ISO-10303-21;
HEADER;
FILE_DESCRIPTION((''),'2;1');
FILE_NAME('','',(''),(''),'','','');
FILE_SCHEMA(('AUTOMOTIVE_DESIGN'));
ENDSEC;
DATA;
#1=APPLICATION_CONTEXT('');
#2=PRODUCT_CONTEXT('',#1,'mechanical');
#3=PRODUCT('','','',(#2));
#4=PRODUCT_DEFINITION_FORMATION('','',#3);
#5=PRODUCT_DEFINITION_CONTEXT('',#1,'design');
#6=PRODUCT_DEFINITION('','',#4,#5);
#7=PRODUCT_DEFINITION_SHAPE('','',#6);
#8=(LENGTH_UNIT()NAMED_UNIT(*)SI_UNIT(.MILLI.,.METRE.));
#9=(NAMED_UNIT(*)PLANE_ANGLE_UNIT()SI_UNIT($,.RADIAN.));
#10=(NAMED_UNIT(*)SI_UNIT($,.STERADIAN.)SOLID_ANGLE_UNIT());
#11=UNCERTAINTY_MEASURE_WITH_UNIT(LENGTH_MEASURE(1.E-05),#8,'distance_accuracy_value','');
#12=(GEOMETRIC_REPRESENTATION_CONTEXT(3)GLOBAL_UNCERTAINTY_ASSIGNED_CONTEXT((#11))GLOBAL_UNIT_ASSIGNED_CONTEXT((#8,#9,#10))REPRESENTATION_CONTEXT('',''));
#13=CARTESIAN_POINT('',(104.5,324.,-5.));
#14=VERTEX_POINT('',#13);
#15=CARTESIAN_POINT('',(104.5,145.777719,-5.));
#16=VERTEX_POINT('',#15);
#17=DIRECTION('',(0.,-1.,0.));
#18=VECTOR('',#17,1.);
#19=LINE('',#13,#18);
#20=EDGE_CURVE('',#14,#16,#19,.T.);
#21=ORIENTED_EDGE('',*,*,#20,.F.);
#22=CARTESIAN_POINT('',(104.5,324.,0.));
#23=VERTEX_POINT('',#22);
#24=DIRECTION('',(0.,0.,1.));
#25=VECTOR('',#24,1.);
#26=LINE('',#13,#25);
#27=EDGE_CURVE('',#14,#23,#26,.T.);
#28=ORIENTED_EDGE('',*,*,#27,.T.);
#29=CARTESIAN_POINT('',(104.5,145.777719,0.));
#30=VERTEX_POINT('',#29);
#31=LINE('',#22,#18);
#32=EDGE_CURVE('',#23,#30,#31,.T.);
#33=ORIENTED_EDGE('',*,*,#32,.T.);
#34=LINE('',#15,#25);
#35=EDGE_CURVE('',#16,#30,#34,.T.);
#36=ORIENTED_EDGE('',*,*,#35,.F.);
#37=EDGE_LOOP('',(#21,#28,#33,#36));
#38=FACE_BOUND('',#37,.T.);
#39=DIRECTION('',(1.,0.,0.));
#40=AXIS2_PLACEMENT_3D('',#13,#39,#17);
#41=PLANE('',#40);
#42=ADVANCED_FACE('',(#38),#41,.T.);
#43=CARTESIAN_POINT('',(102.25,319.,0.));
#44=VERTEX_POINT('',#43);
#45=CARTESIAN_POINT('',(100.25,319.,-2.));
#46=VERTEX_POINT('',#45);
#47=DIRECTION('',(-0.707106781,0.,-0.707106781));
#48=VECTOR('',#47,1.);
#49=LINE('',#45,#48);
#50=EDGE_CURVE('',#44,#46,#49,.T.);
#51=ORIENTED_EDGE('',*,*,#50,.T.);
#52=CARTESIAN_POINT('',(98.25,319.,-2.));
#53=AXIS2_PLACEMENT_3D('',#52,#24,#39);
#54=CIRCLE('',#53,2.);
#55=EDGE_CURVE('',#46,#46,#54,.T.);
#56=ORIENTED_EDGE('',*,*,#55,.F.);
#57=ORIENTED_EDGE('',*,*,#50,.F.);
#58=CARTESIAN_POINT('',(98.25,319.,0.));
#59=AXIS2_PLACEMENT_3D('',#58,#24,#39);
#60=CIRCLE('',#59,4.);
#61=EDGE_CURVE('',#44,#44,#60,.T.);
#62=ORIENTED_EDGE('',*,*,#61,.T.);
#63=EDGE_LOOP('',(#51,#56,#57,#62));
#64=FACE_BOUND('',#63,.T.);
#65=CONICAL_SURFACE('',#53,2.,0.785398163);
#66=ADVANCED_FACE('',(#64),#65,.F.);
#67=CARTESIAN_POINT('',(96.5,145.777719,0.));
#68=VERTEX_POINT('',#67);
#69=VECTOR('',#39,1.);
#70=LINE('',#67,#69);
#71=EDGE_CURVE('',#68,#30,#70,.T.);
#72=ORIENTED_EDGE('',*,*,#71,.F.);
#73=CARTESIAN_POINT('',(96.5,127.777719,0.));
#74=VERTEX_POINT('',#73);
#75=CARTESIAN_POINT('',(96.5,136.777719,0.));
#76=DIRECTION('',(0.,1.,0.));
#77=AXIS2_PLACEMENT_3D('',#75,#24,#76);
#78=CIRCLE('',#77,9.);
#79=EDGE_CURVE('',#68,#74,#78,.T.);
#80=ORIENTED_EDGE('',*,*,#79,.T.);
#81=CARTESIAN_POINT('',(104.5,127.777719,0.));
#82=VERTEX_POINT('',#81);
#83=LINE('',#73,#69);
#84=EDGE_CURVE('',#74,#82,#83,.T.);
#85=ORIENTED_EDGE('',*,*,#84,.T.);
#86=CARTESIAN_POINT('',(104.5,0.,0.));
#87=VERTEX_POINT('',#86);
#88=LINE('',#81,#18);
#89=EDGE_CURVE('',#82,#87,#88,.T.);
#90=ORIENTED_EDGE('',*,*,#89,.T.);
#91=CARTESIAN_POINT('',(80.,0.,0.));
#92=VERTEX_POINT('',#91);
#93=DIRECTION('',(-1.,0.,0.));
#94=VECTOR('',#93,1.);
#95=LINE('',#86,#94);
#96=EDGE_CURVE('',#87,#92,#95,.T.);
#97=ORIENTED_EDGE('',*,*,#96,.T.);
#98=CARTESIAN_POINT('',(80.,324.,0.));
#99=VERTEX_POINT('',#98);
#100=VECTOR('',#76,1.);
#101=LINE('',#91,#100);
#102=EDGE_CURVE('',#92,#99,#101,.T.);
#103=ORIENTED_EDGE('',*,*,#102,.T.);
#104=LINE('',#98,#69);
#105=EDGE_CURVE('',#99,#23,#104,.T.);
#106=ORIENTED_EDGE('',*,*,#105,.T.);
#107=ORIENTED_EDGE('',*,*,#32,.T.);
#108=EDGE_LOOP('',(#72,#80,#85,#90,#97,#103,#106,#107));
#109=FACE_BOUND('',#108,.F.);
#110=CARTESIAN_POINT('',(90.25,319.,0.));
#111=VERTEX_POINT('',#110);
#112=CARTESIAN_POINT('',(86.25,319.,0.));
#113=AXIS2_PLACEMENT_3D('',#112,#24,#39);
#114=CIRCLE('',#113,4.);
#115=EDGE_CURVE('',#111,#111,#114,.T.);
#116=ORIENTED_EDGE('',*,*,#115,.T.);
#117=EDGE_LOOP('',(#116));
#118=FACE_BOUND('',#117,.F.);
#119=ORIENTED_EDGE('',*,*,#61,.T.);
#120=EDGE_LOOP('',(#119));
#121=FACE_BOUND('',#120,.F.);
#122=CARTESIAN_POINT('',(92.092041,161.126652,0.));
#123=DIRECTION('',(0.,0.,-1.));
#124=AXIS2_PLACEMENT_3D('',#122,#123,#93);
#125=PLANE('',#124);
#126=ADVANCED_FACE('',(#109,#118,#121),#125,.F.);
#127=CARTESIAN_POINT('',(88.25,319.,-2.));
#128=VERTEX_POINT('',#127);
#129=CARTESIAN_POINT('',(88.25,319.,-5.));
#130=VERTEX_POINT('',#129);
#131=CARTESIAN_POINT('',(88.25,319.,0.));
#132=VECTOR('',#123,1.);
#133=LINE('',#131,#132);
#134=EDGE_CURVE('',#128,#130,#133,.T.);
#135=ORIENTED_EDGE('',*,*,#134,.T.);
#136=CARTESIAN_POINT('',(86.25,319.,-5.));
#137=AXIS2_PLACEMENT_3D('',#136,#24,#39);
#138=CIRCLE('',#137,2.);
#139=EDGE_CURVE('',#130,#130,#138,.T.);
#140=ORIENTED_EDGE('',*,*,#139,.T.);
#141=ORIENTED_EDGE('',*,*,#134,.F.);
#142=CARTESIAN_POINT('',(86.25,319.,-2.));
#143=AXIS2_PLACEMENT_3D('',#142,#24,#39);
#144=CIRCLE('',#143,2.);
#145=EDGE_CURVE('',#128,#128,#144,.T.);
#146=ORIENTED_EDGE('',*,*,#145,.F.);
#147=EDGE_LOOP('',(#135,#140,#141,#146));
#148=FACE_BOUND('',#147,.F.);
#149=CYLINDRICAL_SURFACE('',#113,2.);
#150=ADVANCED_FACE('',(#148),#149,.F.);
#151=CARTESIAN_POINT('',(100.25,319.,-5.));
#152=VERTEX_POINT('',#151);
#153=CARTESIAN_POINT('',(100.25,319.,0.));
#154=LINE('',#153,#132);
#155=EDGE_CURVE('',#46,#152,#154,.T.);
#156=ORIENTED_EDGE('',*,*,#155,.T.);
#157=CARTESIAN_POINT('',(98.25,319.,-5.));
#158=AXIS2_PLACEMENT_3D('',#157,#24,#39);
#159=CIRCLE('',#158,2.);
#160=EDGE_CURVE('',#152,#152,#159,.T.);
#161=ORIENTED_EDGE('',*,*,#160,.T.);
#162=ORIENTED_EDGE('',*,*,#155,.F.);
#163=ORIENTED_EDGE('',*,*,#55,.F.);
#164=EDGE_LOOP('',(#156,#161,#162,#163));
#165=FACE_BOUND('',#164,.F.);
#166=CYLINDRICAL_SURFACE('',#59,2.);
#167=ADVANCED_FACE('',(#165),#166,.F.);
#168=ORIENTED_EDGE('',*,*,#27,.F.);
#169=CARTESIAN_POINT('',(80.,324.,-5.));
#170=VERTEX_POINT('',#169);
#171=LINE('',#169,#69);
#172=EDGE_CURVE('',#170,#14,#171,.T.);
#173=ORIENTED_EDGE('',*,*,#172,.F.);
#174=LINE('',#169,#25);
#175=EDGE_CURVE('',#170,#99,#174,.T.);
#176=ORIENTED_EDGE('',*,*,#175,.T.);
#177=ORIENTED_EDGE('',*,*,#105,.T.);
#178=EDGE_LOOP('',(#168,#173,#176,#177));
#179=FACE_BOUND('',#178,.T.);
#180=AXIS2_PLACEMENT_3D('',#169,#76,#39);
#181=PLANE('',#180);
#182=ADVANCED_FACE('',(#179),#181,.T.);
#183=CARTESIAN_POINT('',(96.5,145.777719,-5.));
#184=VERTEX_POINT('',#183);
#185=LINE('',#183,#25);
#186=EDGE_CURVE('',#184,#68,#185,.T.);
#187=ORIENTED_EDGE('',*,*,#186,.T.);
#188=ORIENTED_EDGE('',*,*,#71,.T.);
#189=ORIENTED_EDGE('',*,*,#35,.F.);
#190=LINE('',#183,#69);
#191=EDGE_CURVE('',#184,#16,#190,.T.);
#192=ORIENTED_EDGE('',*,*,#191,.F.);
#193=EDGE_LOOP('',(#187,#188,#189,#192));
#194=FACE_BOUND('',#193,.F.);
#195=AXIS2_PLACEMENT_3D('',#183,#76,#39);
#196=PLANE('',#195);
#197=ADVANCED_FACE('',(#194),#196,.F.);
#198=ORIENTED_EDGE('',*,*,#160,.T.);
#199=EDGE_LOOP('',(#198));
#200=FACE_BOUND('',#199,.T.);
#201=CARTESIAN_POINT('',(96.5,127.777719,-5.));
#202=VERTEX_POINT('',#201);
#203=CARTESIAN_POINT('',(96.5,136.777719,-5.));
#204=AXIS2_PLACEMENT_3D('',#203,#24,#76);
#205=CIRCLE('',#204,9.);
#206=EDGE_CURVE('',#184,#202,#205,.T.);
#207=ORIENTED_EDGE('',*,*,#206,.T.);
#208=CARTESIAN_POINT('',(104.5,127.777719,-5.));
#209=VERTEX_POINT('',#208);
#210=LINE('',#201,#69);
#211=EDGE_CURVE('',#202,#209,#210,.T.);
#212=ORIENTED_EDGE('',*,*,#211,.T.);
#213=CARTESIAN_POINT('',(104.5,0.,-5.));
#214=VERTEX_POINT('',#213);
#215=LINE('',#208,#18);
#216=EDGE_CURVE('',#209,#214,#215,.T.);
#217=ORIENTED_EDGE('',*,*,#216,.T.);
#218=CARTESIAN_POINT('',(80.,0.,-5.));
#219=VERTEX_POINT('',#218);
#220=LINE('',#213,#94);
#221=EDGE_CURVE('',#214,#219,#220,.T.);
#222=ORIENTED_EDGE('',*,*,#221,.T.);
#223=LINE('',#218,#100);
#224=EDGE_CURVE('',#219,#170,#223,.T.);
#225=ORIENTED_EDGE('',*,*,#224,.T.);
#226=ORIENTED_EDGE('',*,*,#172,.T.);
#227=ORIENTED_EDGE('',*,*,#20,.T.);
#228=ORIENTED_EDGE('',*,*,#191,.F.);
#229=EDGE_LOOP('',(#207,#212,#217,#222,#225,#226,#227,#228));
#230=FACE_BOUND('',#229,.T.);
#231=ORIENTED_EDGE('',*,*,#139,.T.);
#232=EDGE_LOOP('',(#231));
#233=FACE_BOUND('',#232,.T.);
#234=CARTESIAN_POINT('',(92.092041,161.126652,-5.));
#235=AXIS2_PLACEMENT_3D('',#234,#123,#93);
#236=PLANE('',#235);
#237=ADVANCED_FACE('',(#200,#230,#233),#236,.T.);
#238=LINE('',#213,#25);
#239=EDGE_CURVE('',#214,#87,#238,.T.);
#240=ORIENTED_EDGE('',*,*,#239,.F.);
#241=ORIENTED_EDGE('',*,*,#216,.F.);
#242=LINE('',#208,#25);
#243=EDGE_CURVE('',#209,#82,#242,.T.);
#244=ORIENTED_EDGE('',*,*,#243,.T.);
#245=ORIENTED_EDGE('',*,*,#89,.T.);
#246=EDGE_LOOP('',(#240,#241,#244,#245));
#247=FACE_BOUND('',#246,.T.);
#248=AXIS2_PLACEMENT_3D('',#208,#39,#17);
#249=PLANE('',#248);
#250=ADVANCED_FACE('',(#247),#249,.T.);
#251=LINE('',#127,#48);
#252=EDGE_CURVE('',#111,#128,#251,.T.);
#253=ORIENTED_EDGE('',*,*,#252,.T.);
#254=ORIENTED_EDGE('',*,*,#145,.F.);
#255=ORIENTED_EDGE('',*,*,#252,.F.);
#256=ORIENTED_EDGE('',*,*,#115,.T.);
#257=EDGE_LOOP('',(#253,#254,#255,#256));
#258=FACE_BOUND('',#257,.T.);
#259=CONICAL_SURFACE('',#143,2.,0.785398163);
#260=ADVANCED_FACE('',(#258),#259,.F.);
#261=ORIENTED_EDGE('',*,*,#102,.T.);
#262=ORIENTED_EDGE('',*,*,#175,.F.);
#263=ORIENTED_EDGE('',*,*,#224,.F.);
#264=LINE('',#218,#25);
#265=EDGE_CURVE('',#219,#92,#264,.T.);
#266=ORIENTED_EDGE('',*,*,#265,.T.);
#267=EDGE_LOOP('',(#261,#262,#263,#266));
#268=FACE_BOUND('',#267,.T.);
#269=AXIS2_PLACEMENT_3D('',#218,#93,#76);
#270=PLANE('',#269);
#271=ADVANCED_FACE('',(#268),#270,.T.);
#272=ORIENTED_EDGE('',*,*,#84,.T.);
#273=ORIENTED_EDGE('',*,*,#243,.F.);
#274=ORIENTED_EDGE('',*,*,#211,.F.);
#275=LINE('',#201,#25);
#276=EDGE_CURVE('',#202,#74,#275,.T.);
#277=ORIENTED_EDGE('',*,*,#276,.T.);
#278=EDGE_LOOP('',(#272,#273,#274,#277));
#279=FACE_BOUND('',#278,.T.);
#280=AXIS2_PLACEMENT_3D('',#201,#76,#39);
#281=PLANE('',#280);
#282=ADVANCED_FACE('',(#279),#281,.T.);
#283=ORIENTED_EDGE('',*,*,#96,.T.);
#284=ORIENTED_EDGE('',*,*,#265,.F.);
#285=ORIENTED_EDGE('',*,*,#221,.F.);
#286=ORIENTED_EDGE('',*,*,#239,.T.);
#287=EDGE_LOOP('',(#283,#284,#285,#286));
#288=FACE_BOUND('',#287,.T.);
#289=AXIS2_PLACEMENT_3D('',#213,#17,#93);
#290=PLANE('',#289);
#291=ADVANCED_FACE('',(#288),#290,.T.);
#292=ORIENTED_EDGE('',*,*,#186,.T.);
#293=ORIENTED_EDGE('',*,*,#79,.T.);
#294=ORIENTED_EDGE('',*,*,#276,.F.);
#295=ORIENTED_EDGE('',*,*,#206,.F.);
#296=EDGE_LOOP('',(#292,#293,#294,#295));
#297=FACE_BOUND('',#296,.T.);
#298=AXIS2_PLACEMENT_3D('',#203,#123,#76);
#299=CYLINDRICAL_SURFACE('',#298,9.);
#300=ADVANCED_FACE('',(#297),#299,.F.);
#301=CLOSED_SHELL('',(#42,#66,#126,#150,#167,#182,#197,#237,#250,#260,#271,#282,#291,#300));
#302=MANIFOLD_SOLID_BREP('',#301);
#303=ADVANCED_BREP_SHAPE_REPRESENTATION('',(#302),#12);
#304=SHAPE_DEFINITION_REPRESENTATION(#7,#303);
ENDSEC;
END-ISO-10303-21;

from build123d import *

# Parameters (mm, degrees)
PAD027_DEPTH    = 5
SKETCH059_R     = 2
POCKET037_DEPTH = 5.001
CHAMFER021_SIZE = 2


with BuildPart() as part:
    # Sketch054 → Pad027 (new body)
    with BuildSketch(Plane.XY):
        with BuildLine():
            Line((8.676816, 19.977719), (8.676816, -107.8))
            Line((8.676816, -107.8), (-15.823184, -107.8))
            Line((-15.823184, -107.8), (-15.823184, 216.2))
            Line((-15.823184, 216.2), (8.676816, 216.2))
            Line((8.676816, 216.2), (8.676816, 37.977719))
            Line((0.676816, 37.977719), (8.676816, 37.977719))
            ThreePointArc((0.676816, 37.977719), (-8.323184, 28.977719), (0.676816, 19.977719))
            Line((0.676816, 19.977719), (8.676816, 19.977719))
        make_face()
    extrude(amount=PAD027_DEPTH)

    # Sketch059 (on Face10 of Pad027) → Pocket037 (cut, through all)
    with BuildSketch(Plane.XY.offset(5)):
        with Locations((-9.573184, 211.2)):
            Circle(SKETCH059_R)
        with Locations((2.426816, 211.2)):
            Circle(SKETCH059_R)
    extrude(amount=-POCKET037_DEPTH, mode=Mode.SUBTRACT)

    # Chamfer021
    chamfer021_edges = [part.edges().sort_by_distance(p)[0] for p in [
        (-11.573184, 211.2, 5),
        (0.426816, 211.2, 5),
    ]]
    chamfer(chamfer021_edges, length=CHAMFER021_SIZE)


with BuildPart() as part_1:
    # Body020 placement: moved
    add(part.part.moved(Location((-100, 0, 15.5))))


with BuildPart() as part_2:
    # Clone002 placement: moved
    add(part_1.part.moved(Location((195.823184, 107.8, -20.5))))


solid = part_2.part
